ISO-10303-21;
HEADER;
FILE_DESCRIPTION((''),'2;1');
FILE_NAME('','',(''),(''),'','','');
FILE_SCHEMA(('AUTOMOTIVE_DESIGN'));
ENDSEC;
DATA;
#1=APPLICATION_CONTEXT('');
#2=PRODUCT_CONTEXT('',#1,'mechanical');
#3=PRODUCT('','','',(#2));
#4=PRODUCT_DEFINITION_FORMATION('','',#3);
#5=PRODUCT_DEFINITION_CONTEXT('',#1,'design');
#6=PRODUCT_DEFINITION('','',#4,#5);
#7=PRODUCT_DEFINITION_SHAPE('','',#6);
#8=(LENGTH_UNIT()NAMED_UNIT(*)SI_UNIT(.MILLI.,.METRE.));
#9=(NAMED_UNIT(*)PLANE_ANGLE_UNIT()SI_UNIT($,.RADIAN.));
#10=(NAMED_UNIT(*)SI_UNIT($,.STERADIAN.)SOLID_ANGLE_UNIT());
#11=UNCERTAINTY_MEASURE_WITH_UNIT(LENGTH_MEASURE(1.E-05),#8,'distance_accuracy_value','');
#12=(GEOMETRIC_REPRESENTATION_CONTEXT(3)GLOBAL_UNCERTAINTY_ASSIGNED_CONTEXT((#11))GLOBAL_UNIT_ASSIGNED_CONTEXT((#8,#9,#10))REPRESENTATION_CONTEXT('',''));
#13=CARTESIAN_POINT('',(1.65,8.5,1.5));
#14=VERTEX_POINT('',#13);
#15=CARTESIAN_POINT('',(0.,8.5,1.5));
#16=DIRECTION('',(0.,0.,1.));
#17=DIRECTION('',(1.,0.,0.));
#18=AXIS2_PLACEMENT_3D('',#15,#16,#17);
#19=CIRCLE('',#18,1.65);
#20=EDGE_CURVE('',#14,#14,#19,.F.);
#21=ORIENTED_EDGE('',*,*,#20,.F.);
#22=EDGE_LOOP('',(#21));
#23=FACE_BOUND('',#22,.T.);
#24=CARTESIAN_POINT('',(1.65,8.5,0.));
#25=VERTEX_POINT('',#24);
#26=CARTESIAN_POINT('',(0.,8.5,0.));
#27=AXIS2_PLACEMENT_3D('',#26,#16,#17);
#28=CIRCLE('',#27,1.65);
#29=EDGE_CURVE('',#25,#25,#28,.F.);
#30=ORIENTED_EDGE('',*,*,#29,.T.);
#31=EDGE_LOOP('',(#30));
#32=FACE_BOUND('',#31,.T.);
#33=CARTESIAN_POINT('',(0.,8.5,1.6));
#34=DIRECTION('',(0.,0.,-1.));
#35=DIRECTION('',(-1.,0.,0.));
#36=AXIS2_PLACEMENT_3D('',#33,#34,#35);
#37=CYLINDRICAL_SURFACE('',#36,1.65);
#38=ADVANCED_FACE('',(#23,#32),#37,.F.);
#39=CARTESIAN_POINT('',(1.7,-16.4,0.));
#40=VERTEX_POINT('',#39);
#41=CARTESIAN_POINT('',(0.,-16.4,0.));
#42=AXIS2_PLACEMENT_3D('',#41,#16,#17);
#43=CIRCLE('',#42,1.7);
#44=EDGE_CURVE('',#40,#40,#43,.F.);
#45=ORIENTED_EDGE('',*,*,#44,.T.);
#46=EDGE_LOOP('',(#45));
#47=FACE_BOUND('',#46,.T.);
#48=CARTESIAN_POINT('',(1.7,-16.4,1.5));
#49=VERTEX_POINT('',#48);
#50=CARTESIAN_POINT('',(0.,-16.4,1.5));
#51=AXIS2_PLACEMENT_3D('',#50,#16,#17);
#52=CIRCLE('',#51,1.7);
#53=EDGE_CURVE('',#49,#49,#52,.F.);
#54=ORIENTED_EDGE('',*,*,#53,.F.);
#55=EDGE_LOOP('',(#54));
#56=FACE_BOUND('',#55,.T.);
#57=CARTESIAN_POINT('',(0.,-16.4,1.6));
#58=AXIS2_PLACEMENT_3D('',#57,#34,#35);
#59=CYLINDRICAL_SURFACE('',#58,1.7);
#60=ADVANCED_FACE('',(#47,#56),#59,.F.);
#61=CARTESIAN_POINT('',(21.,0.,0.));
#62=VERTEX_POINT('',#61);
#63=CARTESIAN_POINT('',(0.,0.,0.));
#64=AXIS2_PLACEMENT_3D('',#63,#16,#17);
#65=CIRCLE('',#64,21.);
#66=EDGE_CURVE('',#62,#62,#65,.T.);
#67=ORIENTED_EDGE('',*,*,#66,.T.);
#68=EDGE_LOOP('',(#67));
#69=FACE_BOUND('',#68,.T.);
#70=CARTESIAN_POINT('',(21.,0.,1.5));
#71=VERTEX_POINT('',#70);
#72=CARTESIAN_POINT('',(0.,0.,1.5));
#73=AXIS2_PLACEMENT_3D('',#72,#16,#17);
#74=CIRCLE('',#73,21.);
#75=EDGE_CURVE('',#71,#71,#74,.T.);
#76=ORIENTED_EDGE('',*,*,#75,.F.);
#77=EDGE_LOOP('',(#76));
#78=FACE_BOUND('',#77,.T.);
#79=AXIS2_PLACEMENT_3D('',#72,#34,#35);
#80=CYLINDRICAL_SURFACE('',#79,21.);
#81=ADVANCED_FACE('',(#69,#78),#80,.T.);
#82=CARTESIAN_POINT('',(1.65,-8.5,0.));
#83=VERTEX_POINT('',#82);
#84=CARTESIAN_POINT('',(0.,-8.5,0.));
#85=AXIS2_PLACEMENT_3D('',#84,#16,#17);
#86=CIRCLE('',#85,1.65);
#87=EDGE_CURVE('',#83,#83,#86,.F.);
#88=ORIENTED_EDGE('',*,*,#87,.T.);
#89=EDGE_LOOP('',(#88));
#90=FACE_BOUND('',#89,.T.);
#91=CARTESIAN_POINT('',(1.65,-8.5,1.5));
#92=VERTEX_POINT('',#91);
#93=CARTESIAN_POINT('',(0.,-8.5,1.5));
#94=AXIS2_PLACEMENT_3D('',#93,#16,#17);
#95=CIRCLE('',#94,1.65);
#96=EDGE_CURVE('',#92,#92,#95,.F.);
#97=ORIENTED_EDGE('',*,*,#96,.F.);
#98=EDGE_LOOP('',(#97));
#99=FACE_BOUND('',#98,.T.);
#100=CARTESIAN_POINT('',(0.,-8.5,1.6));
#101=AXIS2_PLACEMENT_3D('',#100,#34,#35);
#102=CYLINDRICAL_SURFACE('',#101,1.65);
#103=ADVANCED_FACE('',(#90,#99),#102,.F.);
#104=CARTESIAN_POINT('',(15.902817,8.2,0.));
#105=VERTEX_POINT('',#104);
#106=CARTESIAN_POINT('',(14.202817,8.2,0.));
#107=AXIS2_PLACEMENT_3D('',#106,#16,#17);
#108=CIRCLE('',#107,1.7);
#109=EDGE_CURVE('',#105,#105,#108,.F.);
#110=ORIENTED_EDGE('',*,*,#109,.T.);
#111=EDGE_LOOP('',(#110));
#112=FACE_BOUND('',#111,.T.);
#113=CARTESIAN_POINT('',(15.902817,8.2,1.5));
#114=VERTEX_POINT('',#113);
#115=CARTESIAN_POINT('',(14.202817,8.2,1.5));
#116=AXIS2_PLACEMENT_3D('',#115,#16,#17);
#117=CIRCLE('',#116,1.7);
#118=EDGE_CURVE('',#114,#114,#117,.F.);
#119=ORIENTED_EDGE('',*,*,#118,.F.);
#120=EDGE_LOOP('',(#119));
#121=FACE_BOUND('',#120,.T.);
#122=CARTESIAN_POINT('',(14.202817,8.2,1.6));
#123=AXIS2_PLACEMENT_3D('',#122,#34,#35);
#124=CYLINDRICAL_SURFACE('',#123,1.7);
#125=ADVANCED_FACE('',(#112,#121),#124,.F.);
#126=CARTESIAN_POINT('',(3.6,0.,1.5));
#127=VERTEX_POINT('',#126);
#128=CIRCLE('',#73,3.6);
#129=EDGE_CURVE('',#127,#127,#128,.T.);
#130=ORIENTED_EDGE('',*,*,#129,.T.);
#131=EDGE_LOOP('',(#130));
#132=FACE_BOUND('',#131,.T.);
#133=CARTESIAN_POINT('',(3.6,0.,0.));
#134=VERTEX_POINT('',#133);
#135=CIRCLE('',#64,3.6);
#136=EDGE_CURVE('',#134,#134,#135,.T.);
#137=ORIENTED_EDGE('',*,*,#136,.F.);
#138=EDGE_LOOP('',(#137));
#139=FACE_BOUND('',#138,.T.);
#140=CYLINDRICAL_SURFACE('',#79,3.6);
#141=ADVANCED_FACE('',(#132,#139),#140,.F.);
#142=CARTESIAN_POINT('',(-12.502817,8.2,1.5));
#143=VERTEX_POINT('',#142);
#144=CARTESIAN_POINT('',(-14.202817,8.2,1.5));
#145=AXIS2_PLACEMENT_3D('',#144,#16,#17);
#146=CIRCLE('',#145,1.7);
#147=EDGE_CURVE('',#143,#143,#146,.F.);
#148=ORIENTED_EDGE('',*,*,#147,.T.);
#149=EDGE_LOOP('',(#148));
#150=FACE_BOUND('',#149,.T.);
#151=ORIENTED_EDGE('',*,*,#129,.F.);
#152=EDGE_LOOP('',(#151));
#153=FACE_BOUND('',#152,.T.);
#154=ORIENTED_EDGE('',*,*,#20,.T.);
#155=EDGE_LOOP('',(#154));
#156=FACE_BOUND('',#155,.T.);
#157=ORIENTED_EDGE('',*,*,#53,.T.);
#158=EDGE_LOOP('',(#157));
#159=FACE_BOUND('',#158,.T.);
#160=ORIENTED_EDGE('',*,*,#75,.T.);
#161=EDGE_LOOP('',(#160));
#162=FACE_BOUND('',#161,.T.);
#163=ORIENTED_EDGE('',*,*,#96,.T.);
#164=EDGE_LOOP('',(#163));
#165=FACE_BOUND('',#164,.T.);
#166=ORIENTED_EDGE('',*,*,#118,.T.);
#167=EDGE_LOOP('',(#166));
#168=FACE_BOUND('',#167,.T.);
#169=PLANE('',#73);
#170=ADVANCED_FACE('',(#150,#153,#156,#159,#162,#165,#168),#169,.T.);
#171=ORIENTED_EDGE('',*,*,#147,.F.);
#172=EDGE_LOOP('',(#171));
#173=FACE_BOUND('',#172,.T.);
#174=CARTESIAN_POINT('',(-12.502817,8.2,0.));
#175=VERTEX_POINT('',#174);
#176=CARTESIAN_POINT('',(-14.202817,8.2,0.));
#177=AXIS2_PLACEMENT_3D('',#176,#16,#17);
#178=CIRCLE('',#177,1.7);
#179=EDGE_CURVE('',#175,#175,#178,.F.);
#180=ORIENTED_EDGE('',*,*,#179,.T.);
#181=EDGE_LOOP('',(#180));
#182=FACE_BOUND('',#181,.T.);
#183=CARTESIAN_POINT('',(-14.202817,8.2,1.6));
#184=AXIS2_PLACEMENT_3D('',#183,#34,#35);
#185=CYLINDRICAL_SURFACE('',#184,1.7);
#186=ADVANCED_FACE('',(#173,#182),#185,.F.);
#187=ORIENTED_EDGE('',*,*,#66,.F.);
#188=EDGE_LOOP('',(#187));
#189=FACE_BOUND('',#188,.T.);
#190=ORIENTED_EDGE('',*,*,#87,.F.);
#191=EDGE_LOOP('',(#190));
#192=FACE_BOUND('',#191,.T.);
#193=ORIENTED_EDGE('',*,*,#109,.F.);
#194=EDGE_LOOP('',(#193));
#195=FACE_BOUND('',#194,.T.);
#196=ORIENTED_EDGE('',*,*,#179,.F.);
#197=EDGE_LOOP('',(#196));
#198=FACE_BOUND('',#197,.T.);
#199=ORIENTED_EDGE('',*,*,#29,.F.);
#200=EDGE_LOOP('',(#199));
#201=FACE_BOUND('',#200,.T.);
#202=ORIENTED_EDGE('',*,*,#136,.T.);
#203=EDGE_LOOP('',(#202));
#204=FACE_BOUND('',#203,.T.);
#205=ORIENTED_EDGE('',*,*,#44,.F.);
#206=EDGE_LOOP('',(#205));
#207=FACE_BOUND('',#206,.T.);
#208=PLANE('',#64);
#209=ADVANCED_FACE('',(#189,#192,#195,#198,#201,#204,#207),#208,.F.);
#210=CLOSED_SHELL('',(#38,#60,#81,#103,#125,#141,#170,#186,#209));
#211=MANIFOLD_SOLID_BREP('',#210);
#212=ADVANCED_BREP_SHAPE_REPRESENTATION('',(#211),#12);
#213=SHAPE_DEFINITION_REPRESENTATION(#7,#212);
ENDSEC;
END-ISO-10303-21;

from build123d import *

# Parameters (mm, degrees)
S01_FLAT_1_5_MM_STEEL_DISC_AND_GEARBOX_R       = 21
S01_FLAT_1_5_MM_STEEL_DISC_AND_GEARBOX_R_2     = 3.6
F_01_FLAT_1_5_MM_STEEL_DISC_AND_GEARBOX_DEPTH  = 1.5
F_02_START                                     = -0.1
S02_THREE_CARRIER_BOLTS_R                      = 1.7
F_02_THREE_CARRIER_BOLTS_DEPTH                 = 1.7
F_03_START                                     = -0.1
S03_TWO_POLOLU_FACE_SCREWS_AT_17_MM_PI_R       = 1.65
F_03_TWO_POLOLU_FACE_SCREWS_AT_17_MM_PIT_DEPTH = 1.7


with BuildPart() as part:
    # S01 - Flat 1.5 mm steel disc and gearbox pilot → 01 - Flat 1.5 mm steel disc and gearbox pilot (new body)
    with BuildSketch(Plane.XY):
        Circle(S01_FLAT_1_5_MM_STEEL_DISC_AND_GEARBOX_R)
        Circle(S01_FLAT_1_5_MM_STEEL_DISC_AND_GEARBOX_R_2, mode=Mode.SUBTRACT)
    extrude(amount=F_01_FLAT_1_5_MM_STEEL_DISC_AND_GEARBOX_DEPTH)

    # S02 - Three carrier bolts → 02 - Three carrier bolts (cut)
    with BuildSketch(Plane.XY.offset(F_02_START)):
        with Locations((14.202816622, 8.2)):
            Circle(S02_THREE_CARRIER_BOLTS_R)
        with Locations((-14.202816622, 8.2)):
            Circle(S02_THREE_CARRIER_BOLTS_R)
        with Locations((0, -16.4)):
            Circle(S02_THREE_CARRIER_BOLTS_R)
    extrude(amount=F_02_THREE_CARRIER_BOLTS_DEPTH, mode=Mode.SUBTRACT)

    # S03 - Two Pololu face screws at 17 mm pitch → 03 - Two Pololu face screws at 17 mm pitch (cut)
    with BuildSketch(Plane.XY.offset(F_03_START)):
        with Locations((0, 8.5)):
            Circle(S03_TWO_POLOLU_FACE_SCREWS_AT_17_MM_PI_R)
        with Locations((0, -8.5)):
            Circle(S03_TWO_POLOLU_FACE_SCREWS_AT_17_MM_PI_R)
    extrude(amount=F_03_TWO_POLOLU_FACE_SCREWS_AT_17_MM_PIT_DEPTH, mode=Mode.SUBTRACT)


solid = part.part
